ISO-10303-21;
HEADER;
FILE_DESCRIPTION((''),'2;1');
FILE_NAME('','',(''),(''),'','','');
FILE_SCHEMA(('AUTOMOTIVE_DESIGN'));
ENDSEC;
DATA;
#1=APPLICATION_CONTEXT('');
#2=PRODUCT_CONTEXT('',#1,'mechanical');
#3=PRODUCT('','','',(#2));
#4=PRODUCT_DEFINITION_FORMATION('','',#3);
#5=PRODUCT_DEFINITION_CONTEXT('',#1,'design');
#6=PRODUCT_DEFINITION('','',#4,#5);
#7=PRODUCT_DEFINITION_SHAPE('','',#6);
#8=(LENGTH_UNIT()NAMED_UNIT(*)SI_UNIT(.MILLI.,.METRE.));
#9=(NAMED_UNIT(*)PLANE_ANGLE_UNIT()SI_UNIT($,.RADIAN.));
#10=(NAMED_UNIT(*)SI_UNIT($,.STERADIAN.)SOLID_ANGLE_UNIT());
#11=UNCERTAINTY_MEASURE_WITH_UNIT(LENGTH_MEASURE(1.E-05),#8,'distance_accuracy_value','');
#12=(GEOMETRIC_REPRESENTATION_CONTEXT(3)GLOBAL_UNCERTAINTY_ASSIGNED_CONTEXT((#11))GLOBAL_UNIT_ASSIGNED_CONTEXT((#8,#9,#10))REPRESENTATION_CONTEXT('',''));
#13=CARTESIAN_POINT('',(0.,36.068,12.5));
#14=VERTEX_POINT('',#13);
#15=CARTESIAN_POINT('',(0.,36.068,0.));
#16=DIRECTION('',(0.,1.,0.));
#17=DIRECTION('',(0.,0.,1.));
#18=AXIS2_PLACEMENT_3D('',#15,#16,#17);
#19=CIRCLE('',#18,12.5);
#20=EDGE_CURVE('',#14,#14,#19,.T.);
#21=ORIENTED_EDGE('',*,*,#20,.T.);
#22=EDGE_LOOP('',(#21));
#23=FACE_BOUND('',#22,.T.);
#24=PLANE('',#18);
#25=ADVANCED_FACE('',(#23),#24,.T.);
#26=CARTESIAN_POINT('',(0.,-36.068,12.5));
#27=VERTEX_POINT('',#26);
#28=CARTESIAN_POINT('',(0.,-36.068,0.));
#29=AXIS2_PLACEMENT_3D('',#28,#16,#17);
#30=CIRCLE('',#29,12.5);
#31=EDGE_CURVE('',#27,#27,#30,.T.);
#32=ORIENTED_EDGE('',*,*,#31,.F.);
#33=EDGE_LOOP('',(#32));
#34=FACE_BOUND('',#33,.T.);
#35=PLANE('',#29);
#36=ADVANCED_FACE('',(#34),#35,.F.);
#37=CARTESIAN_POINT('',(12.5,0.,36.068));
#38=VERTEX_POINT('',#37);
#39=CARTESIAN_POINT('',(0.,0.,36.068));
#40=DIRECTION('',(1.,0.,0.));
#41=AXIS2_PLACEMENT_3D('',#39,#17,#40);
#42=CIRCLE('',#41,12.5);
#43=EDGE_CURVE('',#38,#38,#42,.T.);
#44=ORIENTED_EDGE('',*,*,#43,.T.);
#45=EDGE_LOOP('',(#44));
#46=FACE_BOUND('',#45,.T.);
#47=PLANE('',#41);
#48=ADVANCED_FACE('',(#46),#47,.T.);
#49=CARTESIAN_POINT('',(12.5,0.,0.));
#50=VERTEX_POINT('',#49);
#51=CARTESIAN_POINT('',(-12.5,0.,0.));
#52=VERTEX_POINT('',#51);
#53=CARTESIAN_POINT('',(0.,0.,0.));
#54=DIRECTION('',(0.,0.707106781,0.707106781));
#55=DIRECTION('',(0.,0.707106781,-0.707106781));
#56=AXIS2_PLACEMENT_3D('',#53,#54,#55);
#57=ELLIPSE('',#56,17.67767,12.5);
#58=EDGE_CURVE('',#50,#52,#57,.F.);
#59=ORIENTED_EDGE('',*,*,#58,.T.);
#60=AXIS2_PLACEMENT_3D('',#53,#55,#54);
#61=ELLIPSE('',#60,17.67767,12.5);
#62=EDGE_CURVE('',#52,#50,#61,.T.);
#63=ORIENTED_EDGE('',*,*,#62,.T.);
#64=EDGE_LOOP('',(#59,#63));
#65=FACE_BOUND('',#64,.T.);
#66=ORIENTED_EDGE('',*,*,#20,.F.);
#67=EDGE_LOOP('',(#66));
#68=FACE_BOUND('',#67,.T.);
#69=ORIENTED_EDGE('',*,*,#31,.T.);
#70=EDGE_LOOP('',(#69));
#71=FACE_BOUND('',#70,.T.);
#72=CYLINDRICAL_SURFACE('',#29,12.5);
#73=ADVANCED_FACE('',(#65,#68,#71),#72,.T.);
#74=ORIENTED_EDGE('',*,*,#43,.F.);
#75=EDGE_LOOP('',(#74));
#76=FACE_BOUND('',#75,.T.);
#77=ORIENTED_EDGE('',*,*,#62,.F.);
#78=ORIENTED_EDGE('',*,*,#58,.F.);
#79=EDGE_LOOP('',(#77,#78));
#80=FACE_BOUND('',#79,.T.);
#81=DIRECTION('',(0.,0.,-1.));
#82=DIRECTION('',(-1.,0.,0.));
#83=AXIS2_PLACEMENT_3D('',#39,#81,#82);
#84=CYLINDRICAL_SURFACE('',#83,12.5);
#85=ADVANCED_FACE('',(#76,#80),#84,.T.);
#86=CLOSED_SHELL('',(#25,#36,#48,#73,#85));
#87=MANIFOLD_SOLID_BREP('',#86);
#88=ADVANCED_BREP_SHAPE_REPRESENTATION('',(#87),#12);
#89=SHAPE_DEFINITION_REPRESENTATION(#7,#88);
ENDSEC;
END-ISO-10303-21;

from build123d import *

# Parameters (mm, degrees)
BOSS_EXTRUDE1_DEPTH      = 36.068
BOSS_EXTRUDE1_DEPTH_BACK = 36.068
SKETCH1_R                = 12.5
SKETCH2_R                = 12.5
BOSS_EXTRUDE2_DEPTH      = 36.068


with BuildPart() as part:
    # Sketch1 → Boss-Extrude1 (new, two sides: drawn at the far end of the back side and taken through both)
    with BuildSketch(Plane(origin=(0, 0, 0), x_dir=(1, 0, 0), z_dir=(0, 1, 0)).offset(-BOSS_EXTRUDE1_DEPTH_BACK)):
        Circle(SKETCH1_R)
    extrude(amount=BOSS_EXTRUDE1_DEPTH + BOSS_EXTRUDE1_DEPTH_BACK)

    # Sketch2 → Boss-Extrude2 (add)
    with BuildSketch(Plane.XY):
        Circle(SKETCH2_R)
    extrude(amount=BOSS_EXTRUDE2_DEPTH)


solid = part.part
